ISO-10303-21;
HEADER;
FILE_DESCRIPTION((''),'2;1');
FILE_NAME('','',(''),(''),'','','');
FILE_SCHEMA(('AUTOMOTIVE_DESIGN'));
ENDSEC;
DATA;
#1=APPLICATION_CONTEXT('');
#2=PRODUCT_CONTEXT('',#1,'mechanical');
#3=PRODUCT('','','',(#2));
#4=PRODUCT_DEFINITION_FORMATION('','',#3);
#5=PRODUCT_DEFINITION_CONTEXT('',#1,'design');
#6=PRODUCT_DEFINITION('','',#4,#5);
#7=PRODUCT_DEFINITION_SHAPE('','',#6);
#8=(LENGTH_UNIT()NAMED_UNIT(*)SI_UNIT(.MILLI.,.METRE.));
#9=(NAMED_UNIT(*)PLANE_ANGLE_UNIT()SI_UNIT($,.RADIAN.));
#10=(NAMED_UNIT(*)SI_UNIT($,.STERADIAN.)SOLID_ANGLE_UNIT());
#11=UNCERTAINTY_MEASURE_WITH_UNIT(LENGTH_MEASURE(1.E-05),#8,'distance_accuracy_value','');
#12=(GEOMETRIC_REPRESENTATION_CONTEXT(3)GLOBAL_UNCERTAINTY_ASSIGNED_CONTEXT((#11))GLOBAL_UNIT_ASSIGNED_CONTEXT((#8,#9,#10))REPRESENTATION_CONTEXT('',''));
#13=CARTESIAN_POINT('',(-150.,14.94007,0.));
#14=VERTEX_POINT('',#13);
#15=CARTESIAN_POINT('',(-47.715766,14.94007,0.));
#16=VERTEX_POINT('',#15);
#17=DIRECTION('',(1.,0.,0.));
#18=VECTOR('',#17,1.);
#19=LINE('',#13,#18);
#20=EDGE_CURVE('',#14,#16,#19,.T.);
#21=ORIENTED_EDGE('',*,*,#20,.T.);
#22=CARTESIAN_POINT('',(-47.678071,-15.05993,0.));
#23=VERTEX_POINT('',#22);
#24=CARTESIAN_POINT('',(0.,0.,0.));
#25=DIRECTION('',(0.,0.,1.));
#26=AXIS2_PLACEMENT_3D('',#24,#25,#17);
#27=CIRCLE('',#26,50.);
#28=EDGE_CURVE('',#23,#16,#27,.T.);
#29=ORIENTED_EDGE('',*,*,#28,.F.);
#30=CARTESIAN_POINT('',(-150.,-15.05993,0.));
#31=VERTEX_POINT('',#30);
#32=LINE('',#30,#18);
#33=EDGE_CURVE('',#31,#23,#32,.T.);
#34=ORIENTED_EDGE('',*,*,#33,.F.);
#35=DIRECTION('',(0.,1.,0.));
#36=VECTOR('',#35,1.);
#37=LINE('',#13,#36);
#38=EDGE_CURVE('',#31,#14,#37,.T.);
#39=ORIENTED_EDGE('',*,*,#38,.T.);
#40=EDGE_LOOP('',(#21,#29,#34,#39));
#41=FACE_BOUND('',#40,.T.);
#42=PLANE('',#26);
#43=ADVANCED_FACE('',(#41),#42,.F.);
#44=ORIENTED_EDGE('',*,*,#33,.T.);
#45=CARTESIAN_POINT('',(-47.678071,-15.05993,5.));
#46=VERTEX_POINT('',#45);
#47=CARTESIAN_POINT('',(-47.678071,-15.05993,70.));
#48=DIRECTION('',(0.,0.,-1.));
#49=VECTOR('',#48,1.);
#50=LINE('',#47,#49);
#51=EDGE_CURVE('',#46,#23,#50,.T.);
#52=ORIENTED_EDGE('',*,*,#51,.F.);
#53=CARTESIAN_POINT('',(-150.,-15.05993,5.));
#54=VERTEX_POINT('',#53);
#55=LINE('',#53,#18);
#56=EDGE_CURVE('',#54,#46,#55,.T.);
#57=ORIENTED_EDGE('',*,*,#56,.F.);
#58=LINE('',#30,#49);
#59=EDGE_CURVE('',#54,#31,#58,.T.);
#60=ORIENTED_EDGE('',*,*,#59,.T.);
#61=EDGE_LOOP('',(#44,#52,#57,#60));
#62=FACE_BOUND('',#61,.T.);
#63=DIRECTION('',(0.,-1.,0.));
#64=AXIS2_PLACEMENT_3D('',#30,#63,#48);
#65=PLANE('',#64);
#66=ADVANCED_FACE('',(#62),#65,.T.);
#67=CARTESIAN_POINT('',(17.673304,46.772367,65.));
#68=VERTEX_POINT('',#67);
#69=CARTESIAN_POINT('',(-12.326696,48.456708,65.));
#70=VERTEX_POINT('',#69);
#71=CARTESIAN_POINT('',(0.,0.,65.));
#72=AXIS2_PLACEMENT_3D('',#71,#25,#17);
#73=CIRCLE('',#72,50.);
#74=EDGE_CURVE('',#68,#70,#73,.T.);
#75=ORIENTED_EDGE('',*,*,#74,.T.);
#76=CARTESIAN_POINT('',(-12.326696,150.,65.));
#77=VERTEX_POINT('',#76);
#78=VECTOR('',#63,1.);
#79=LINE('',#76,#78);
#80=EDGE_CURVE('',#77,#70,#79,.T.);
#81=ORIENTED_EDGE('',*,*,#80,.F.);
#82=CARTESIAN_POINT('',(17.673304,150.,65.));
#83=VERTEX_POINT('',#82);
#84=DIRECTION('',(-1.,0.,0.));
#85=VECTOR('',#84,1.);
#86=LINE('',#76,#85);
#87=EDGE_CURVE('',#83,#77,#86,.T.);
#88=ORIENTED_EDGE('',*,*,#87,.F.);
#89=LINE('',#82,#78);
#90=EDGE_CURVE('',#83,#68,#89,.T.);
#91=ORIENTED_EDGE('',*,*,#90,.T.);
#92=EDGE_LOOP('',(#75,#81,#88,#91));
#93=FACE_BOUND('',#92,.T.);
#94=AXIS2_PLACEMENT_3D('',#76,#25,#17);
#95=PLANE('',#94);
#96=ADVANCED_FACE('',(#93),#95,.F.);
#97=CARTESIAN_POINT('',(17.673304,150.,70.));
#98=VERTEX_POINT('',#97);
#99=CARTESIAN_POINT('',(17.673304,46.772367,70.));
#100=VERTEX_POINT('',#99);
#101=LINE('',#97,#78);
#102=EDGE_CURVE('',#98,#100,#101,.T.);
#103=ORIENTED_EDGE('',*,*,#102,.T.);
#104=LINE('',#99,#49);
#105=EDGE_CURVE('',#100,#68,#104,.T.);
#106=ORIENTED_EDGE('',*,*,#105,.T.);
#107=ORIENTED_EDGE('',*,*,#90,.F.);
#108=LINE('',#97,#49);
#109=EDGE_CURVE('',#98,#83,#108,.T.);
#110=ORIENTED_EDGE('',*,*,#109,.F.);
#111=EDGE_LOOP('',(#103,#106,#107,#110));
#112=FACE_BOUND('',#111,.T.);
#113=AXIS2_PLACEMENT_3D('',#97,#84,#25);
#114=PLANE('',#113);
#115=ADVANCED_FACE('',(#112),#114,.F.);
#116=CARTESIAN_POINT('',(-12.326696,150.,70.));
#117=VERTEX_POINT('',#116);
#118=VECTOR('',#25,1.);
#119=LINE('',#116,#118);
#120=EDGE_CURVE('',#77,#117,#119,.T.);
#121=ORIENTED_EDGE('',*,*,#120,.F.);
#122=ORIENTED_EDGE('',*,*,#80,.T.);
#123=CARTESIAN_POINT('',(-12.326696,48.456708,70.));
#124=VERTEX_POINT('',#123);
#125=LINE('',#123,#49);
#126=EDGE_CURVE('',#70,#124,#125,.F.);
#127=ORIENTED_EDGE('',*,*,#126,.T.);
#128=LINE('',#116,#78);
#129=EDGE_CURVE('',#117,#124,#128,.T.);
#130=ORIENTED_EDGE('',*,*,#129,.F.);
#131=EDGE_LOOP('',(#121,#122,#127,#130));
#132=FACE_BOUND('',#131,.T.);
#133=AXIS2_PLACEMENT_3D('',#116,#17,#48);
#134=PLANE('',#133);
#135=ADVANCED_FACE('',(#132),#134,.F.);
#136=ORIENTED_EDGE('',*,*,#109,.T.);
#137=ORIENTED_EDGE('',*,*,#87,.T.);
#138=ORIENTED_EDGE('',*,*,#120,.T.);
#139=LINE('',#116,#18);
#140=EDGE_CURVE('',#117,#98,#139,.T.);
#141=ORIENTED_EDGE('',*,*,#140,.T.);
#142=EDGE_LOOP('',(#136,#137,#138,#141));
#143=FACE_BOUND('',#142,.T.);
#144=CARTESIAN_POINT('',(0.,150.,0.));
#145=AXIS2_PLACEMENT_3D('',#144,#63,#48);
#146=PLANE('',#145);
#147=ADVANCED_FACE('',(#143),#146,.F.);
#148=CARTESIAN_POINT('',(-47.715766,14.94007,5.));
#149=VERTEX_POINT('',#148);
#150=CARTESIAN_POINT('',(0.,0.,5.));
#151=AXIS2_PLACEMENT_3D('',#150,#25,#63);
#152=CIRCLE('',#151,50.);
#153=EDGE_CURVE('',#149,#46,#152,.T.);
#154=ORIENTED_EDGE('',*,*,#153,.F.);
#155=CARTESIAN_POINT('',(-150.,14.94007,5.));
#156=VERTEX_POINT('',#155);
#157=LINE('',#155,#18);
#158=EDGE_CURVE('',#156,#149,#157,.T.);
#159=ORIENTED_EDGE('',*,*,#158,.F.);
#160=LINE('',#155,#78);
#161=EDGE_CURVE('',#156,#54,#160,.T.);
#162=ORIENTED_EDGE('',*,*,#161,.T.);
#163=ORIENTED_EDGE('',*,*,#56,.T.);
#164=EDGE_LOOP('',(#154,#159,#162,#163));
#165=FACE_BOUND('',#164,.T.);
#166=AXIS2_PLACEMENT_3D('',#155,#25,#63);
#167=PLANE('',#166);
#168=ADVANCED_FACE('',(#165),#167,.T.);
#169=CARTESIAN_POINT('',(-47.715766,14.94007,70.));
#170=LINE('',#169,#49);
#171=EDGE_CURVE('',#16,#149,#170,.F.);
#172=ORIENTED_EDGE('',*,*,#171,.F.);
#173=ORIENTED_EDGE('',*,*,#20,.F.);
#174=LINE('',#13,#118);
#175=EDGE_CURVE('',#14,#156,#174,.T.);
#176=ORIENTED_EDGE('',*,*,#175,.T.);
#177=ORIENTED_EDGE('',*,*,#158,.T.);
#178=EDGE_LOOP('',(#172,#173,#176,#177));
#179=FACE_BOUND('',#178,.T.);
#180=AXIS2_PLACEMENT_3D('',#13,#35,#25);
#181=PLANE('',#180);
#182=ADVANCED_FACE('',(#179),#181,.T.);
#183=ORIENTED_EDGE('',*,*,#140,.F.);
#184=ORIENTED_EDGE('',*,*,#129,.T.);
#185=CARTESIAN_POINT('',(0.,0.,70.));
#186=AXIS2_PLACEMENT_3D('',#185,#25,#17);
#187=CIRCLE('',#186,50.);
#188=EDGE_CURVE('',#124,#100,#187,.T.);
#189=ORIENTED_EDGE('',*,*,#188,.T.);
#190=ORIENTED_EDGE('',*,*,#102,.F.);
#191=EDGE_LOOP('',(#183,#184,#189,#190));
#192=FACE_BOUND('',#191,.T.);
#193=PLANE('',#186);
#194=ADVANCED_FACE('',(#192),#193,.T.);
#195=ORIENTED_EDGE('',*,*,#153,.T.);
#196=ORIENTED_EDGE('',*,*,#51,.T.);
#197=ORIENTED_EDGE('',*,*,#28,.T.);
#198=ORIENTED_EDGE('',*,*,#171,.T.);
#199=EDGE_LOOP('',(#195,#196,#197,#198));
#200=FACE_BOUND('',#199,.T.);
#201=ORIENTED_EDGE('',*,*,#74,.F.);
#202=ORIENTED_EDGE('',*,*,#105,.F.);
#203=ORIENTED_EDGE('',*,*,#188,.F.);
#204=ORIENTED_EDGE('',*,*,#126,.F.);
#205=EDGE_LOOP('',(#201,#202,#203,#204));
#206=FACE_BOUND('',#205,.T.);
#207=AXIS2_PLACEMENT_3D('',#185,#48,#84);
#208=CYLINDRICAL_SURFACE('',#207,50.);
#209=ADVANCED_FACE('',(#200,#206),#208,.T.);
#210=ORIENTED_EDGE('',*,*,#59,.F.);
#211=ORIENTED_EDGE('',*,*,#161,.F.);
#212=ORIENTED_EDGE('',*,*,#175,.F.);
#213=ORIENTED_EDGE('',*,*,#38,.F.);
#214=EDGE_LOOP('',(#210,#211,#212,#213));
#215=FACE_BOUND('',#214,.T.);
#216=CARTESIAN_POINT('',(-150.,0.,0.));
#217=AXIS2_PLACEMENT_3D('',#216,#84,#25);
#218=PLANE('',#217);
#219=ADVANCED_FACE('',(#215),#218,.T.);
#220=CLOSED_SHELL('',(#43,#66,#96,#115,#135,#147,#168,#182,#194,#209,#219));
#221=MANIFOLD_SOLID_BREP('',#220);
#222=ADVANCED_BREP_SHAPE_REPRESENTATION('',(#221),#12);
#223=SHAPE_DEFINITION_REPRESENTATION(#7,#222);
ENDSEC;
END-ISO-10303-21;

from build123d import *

# Parameters (mm, degrees)
SKETCH1_R           = 50
BOSS_EXTRUDE1_DEPTH = 70
SKETCH2_W           = 30
SKETCH2_H           = 5
BOSS_EXTRUDE2_DEPTH = 150
SKETCH4_W           = 5
SKETCH4_H           = 30
BOSS_EXTRUDE3_DEPTH = 150


with BuildPart() as part:
    # Sketch1 → Boss-Extrude1 (new body)
    with BuildSketch(Plane.XY):
        Circle(SKETCH1_R)
    extrude(amount=BOSS_EXTRUDE1_DEPTH)

    # Sketch2 → Boss-Extrude2 (add)
    with BuildSketch(Plane(origin=(0, 0, 0), x_dir=(1, 0, 0), z_dir=(0, 1, 0))):
        with Locations((2.673304283, -67.5)):
            Rectangle(SKETCH2_W, SKETCH2_H)
    extrude(amount=BOSS_EXTRUDE2_DEPTH)

    # Sketch4 → Boss-Extrude3 (add)
    with BuildSketch(Plane(origin=(0, 0, 0), x_dir=(0, 0, -1), z_dir=(1, 0, 0))):
        with Locations((-2.5, -0.059930336)):
            Rectangle(SKETCH4_W, SKETCH4_H)
    extrude(amount=-BOSS_EXTRUDE3_DEPTH)


solid = part.part
